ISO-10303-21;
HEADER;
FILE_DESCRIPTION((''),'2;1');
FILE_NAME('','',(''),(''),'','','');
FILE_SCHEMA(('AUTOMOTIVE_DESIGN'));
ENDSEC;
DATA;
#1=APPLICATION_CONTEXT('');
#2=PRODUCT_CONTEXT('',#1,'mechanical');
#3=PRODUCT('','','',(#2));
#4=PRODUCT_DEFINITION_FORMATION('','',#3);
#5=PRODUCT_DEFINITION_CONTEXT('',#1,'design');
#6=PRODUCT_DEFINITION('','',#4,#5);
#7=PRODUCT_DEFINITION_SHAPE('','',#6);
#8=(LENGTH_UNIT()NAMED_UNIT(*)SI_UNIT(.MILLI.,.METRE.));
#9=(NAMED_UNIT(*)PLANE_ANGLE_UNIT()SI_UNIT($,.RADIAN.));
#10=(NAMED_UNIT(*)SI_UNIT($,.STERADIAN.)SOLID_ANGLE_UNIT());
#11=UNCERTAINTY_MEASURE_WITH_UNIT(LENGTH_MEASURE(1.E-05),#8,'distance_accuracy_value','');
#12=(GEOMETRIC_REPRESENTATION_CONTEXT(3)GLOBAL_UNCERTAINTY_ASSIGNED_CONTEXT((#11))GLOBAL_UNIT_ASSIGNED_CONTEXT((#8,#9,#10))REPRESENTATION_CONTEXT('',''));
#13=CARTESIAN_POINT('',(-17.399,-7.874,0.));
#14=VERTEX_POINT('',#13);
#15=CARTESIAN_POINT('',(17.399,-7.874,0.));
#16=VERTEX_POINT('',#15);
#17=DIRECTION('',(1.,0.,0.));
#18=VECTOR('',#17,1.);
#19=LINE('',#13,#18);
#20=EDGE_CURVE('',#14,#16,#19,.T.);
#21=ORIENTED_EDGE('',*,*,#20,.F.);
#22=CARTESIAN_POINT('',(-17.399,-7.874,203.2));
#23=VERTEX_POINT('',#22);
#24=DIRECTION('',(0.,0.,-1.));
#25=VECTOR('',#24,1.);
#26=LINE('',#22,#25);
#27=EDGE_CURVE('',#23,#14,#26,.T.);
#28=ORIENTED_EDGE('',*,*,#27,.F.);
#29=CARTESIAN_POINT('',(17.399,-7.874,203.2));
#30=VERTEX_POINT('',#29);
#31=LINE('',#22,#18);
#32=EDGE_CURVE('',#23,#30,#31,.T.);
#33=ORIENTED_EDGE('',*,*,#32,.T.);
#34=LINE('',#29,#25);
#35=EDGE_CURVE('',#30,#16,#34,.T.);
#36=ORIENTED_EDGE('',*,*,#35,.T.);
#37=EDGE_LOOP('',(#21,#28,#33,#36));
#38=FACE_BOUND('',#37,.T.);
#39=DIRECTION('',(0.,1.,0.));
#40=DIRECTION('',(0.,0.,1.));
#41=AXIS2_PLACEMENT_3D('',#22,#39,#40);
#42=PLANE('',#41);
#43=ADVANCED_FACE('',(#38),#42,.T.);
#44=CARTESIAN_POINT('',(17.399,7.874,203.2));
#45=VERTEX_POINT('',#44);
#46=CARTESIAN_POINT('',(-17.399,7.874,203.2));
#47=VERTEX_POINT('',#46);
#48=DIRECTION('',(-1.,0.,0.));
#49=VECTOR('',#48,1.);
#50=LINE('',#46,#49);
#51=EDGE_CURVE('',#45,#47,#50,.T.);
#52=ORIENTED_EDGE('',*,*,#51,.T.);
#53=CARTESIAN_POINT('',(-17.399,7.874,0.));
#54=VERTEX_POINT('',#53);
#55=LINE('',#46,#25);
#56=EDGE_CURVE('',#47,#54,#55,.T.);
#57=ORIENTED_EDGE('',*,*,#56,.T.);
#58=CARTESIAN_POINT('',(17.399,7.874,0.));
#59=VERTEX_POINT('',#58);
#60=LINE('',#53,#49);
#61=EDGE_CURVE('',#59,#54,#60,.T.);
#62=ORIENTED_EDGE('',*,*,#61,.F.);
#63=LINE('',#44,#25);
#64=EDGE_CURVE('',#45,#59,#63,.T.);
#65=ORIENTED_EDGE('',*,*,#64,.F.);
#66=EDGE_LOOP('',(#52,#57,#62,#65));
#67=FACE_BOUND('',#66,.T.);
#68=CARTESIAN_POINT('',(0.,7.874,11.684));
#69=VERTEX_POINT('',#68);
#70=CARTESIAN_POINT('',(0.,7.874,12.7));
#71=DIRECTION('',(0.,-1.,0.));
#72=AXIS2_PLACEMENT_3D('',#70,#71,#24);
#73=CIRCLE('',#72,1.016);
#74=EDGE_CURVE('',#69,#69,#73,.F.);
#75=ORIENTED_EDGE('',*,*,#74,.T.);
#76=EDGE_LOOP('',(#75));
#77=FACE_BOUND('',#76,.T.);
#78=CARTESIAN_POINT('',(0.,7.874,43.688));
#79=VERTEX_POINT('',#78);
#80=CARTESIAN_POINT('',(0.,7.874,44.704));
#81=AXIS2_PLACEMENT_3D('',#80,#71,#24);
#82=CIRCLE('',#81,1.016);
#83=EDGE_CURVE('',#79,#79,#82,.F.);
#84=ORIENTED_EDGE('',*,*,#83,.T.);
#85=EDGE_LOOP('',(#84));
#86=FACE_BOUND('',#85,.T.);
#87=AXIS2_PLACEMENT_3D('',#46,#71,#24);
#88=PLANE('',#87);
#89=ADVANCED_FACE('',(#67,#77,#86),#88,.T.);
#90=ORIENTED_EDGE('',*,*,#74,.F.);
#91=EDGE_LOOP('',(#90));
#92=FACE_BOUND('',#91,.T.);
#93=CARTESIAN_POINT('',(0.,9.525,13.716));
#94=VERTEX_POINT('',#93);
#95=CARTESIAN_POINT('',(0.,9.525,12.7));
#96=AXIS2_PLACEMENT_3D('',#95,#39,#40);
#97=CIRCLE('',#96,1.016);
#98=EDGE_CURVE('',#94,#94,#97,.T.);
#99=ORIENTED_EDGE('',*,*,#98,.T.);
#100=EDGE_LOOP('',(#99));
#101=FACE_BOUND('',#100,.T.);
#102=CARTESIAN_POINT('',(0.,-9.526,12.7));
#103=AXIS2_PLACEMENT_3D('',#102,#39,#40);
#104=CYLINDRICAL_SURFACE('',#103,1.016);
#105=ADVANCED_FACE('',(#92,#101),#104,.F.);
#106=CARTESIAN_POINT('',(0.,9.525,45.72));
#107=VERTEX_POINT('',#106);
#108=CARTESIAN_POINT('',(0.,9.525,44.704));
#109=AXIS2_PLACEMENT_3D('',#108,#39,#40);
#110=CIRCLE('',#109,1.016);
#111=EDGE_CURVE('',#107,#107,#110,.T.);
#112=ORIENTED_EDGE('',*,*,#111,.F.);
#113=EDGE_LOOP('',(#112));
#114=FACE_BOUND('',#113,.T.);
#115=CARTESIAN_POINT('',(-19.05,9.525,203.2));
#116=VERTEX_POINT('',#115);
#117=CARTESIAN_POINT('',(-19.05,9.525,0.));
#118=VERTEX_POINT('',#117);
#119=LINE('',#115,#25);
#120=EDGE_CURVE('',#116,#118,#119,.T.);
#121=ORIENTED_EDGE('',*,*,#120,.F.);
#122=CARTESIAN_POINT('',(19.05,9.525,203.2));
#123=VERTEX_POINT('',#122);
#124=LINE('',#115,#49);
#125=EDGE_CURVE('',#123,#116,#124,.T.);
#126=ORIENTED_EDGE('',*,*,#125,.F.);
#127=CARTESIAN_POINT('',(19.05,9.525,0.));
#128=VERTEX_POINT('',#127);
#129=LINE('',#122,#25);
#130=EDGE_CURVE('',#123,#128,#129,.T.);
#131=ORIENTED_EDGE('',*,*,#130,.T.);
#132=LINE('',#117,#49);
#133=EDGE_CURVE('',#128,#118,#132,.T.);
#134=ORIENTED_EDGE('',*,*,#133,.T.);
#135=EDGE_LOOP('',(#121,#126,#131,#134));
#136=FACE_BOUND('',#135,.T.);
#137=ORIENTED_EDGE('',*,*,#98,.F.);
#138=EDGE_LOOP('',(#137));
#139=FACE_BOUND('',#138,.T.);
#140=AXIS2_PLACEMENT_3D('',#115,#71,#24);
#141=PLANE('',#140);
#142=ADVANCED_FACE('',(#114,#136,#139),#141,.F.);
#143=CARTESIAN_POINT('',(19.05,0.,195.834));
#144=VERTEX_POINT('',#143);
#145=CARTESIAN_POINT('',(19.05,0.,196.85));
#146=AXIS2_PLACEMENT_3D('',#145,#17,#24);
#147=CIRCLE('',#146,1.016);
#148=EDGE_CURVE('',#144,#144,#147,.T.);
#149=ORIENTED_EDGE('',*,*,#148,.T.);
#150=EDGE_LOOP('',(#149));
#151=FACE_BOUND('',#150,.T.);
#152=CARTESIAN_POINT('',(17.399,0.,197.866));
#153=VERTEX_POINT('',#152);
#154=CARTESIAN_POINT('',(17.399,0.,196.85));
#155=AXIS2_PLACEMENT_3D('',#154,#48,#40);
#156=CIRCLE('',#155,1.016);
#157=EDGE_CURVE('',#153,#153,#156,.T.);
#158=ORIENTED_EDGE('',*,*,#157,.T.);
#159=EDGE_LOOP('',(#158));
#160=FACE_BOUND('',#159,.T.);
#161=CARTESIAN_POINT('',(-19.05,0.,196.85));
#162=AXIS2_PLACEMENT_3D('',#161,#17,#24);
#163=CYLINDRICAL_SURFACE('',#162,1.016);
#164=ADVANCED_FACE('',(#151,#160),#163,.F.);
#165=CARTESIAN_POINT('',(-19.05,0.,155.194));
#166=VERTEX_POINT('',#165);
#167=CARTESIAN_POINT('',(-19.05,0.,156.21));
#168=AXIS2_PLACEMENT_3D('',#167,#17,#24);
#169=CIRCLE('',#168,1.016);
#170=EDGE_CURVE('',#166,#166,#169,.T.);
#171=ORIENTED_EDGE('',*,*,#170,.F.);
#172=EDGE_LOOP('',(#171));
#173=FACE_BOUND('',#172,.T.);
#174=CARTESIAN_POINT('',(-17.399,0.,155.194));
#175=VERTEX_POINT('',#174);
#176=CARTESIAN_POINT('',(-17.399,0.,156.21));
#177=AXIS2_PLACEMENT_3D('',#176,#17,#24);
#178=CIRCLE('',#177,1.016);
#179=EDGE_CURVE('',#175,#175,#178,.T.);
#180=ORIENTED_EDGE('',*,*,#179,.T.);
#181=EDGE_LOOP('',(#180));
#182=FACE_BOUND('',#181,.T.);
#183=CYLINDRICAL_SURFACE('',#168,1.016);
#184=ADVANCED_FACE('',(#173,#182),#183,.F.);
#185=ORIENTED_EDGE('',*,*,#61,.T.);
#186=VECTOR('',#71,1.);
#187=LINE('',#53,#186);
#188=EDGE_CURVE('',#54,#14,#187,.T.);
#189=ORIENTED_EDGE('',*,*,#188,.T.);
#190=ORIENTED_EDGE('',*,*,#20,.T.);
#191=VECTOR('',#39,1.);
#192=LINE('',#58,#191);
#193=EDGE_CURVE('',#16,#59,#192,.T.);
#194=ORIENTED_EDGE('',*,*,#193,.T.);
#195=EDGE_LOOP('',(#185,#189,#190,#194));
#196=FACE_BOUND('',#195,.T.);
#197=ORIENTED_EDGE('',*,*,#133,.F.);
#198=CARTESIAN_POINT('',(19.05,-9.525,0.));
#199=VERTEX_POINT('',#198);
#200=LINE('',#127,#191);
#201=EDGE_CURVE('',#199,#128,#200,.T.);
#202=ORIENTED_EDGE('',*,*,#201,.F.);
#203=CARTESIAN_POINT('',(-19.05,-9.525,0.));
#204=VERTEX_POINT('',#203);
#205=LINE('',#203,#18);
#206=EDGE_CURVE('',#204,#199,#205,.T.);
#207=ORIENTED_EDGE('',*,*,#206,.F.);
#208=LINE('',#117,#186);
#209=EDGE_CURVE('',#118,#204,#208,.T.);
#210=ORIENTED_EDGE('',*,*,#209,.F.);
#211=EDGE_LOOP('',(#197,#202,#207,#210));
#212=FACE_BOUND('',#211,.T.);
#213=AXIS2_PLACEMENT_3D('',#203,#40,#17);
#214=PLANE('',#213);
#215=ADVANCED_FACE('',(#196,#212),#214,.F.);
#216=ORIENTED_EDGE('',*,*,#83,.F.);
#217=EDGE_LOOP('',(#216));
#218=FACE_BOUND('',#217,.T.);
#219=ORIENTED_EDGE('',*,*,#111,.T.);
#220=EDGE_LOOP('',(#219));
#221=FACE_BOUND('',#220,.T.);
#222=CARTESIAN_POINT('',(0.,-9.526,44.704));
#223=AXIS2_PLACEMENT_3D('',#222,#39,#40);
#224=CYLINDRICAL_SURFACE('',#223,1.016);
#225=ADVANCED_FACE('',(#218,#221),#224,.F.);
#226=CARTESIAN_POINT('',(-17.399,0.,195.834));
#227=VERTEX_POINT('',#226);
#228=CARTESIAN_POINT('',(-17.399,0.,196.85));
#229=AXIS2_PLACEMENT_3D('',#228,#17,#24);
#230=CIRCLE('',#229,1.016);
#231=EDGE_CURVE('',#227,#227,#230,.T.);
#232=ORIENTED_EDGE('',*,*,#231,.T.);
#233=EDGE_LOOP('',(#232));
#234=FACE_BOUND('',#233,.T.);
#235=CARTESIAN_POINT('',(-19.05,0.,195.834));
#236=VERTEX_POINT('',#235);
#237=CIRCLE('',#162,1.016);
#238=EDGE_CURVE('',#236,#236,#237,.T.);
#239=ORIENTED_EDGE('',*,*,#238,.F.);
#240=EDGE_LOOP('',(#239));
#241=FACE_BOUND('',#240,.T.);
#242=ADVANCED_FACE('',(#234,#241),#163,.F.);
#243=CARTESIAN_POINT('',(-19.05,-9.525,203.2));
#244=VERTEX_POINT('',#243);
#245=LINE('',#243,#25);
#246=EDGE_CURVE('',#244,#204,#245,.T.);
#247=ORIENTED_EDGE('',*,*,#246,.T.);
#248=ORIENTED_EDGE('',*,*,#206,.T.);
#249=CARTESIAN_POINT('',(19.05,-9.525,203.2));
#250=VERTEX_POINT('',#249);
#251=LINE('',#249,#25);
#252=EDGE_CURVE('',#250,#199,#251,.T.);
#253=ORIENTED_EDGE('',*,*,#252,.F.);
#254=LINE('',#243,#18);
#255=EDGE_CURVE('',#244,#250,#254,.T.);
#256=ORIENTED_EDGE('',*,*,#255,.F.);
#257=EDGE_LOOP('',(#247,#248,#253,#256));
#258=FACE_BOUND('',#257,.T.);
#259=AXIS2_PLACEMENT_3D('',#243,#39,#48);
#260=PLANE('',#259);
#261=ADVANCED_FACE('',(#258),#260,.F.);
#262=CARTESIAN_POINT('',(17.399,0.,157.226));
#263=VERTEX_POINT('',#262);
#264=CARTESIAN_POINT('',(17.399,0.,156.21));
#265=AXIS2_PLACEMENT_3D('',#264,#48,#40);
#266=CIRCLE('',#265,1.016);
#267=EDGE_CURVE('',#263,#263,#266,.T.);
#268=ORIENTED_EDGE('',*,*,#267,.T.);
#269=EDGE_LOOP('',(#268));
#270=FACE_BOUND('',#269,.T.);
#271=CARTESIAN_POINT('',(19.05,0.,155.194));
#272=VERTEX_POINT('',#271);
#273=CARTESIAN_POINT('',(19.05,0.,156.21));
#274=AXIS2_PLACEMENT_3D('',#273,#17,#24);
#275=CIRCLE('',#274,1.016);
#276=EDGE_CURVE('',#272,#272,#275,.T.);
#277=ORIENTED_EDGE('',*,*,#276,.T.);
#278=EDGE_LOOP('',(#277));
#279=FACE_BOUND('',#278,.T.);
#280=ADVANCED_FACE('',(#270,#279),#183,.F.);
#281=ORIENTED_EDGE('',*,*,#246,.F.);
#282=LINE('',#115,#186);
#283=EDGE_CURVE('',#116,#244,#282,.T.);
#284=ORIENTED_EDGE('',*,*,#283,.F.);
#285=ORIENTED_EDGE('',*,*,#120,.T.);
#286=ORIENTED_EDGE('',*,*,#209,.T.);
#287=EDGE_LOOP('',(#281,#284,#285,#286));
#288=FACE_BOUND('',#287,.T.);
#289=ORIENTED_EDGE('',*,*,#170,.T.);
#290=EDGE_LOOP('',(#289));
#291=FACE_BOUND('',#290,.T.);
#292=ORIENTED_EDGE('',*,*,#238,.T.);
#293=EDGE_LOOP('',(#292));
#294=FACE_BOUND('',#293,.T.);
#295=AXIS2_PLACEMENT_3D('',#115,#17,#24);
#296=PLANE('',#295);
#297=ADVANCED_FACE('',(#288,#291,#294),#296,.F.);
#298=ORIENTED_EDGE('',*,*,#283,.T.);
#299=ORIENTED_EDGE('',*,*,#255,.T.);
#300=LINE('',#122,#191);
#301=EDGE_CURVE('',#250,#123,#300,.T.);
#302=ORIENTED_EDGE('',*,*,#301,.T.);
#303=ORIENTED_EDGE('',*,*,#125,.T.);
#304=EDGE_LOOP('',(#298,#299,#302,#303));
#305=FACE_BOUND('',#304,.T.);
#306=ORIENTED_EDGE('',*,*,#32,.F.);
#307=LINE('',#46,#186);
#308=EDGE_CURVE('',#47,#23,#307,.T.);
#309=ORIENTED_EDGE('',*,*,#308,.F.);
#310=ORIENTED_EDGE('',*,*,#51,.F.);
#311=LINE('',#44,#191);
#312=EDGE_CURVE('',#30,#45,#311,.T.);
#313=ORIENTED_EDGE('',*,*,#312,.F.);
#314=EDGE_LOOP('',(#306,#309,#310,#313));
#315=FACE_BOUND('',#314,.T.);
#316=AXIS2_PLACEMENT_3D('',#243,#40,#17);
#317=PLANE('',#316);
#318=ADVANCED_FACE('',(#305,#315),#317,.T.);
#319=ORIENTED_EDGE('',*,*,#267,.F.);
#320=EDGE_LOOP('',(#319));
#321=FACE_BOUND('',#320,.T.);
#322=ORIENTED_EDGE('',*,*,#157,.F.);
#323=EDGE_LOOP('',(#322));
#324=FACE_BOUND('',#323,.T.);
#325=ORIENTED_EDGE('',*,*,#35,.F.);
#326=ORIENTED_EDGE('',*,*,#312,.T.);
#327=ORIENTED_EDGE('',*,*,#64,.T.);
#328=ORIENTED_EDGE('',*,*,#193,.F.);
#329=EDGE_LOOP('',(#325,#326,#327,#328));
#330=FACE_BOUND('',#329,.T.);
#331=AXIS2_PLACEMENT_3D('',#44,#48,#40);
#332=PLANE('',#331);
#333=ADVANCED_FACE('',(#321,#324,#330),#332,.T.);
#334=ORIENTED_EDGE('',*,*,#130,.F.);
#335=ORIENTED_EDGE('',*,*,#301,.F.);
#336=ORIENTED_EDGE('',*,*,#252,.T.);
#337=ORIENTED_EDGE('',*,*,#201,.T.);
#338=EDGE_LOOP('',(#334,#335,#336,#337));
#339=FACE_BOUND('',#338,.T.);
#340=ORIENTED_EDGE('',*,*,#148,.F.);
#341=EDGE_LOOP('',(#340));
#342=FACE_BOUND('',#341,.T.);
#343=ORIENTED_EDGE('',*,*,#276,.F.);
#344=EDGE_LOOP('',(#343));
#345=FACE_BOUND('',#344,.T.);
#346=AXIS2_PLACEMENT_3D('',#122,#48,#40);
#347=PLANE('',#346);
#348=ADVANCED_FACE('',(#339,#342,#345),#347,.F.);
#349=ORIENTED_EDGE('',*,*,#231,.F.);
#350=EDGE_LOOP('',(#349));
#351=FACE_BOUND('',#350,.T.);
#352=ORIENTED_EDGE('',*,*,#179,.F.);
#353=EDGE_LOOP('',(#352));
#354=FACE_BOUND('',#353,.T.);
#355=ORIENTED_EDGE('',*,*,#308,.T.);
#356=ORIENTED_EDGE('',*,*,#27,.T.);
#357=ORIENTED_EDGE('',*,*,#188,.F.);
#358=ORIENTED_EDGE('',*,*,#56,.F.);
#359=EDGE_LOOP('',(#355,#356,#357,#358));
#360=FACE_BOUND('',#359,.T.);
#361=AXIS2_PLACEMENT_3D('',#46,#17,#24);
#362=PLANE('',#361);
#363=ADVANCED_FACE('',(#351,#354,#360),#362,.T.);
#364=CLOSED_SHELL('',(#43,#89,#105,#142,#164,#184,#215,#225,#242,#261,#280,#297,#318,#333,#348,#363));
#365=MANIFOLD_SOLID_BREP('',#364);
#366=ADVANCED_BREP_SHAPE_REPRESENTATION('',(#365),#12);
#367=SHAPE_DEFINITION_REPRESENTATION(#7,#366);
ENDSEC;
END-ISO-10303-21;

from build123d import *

# Parameters (mm, degrees)
SKETCH2_W           = 38.1
SKETCH2_H           = 19.05
SKETCH2_W_2         = 34.798
SKETCH2_H_2         = 15.748
BOSS_EXTRUDE1_DEPTH = 203.2
SKETCH3_R           = 1.016
CUT_EXTRUDE1_DEPTH  = 39.1
CUT_EXTRUDE2_REACH  = 21.05
SKETCH6_R           = 1.016


with BuildPart() as part:
    # Sketch2 → Boss-Extrude1 (new body)
    with BuildSketch(Plane.XY):
        Rectangle(SKETCH2_W, SKETCH2_H)
        Rectangle(SKETCH2_W_2, SKETCH2_H_2, mode=Mode.SUBTRACT)
    extrude(amount=BOSS_EXTRUDE1_DEPTH)

    # Sketch3 → Cut-Extrude1 (cut, through all)
    with BuildSketch(Plane(origin=(19.05, 0, 0), x_dir=(0, 0, -1), z_dir=(1, 0, 0))):
        with Locations((-196.85, 0)):
            Circle(SKETCH3_R)
        with Locations((-156.21, 0)):
            Circle(SKETCH3_R)
    extrude(amount=-CUT_EXTRUDE1_DEPTH, mode=Mode.SUBTRACT)

    # Sketch6 → Cut-Extrude2 (cut, up to next)
    with BuildSketch(Plane(origin=(0, 9.525, 0), x_dir=(1, 0, 0), z_dir=(0, 1, 0)), mode=Mode.PRIVATE) as cut_extrude2_sk1:
        with Locations((0, -12.7)):
            Circle(SKETCH6_R)
    cut_extrude2_tool1 = extrude(cut_extrude2_sk1.sketch, amount=-CUT_EXTRUDE2_REACH, mode=Mode.PRIVATE) & part.part
    add(cut_extrude2_tool1.solids().sort_by_distance((0, 9.525, 12.7))[0], mode=Mode.SUBTRACT)
    # Sketch6 → Cut-Extrude2 (cut, up to next)
    with BuildSketch(Plane(origin=(0, 9.525, 0), x_dir=(1, 0, 0), z_dir=(0, 1, 0)), mode=Mode.PRIVATE) as cut_extrude2_sk2:
        with Locations((0, -44.704)):
            Circle(SKETCH6_R)
    cut_extrude2_tool2 = extrude(cut_extrude2_sk2.sketch, amount=-CUT_EXTRUDE2_REACH, mode=Mode.PRIVATE) & part.part
    add(cut_extrude2_tool2.solids().sort_by_distance((0, 9.525, 44.704))[0], mode=Mode.SUBTRACT)


solid = part.part
